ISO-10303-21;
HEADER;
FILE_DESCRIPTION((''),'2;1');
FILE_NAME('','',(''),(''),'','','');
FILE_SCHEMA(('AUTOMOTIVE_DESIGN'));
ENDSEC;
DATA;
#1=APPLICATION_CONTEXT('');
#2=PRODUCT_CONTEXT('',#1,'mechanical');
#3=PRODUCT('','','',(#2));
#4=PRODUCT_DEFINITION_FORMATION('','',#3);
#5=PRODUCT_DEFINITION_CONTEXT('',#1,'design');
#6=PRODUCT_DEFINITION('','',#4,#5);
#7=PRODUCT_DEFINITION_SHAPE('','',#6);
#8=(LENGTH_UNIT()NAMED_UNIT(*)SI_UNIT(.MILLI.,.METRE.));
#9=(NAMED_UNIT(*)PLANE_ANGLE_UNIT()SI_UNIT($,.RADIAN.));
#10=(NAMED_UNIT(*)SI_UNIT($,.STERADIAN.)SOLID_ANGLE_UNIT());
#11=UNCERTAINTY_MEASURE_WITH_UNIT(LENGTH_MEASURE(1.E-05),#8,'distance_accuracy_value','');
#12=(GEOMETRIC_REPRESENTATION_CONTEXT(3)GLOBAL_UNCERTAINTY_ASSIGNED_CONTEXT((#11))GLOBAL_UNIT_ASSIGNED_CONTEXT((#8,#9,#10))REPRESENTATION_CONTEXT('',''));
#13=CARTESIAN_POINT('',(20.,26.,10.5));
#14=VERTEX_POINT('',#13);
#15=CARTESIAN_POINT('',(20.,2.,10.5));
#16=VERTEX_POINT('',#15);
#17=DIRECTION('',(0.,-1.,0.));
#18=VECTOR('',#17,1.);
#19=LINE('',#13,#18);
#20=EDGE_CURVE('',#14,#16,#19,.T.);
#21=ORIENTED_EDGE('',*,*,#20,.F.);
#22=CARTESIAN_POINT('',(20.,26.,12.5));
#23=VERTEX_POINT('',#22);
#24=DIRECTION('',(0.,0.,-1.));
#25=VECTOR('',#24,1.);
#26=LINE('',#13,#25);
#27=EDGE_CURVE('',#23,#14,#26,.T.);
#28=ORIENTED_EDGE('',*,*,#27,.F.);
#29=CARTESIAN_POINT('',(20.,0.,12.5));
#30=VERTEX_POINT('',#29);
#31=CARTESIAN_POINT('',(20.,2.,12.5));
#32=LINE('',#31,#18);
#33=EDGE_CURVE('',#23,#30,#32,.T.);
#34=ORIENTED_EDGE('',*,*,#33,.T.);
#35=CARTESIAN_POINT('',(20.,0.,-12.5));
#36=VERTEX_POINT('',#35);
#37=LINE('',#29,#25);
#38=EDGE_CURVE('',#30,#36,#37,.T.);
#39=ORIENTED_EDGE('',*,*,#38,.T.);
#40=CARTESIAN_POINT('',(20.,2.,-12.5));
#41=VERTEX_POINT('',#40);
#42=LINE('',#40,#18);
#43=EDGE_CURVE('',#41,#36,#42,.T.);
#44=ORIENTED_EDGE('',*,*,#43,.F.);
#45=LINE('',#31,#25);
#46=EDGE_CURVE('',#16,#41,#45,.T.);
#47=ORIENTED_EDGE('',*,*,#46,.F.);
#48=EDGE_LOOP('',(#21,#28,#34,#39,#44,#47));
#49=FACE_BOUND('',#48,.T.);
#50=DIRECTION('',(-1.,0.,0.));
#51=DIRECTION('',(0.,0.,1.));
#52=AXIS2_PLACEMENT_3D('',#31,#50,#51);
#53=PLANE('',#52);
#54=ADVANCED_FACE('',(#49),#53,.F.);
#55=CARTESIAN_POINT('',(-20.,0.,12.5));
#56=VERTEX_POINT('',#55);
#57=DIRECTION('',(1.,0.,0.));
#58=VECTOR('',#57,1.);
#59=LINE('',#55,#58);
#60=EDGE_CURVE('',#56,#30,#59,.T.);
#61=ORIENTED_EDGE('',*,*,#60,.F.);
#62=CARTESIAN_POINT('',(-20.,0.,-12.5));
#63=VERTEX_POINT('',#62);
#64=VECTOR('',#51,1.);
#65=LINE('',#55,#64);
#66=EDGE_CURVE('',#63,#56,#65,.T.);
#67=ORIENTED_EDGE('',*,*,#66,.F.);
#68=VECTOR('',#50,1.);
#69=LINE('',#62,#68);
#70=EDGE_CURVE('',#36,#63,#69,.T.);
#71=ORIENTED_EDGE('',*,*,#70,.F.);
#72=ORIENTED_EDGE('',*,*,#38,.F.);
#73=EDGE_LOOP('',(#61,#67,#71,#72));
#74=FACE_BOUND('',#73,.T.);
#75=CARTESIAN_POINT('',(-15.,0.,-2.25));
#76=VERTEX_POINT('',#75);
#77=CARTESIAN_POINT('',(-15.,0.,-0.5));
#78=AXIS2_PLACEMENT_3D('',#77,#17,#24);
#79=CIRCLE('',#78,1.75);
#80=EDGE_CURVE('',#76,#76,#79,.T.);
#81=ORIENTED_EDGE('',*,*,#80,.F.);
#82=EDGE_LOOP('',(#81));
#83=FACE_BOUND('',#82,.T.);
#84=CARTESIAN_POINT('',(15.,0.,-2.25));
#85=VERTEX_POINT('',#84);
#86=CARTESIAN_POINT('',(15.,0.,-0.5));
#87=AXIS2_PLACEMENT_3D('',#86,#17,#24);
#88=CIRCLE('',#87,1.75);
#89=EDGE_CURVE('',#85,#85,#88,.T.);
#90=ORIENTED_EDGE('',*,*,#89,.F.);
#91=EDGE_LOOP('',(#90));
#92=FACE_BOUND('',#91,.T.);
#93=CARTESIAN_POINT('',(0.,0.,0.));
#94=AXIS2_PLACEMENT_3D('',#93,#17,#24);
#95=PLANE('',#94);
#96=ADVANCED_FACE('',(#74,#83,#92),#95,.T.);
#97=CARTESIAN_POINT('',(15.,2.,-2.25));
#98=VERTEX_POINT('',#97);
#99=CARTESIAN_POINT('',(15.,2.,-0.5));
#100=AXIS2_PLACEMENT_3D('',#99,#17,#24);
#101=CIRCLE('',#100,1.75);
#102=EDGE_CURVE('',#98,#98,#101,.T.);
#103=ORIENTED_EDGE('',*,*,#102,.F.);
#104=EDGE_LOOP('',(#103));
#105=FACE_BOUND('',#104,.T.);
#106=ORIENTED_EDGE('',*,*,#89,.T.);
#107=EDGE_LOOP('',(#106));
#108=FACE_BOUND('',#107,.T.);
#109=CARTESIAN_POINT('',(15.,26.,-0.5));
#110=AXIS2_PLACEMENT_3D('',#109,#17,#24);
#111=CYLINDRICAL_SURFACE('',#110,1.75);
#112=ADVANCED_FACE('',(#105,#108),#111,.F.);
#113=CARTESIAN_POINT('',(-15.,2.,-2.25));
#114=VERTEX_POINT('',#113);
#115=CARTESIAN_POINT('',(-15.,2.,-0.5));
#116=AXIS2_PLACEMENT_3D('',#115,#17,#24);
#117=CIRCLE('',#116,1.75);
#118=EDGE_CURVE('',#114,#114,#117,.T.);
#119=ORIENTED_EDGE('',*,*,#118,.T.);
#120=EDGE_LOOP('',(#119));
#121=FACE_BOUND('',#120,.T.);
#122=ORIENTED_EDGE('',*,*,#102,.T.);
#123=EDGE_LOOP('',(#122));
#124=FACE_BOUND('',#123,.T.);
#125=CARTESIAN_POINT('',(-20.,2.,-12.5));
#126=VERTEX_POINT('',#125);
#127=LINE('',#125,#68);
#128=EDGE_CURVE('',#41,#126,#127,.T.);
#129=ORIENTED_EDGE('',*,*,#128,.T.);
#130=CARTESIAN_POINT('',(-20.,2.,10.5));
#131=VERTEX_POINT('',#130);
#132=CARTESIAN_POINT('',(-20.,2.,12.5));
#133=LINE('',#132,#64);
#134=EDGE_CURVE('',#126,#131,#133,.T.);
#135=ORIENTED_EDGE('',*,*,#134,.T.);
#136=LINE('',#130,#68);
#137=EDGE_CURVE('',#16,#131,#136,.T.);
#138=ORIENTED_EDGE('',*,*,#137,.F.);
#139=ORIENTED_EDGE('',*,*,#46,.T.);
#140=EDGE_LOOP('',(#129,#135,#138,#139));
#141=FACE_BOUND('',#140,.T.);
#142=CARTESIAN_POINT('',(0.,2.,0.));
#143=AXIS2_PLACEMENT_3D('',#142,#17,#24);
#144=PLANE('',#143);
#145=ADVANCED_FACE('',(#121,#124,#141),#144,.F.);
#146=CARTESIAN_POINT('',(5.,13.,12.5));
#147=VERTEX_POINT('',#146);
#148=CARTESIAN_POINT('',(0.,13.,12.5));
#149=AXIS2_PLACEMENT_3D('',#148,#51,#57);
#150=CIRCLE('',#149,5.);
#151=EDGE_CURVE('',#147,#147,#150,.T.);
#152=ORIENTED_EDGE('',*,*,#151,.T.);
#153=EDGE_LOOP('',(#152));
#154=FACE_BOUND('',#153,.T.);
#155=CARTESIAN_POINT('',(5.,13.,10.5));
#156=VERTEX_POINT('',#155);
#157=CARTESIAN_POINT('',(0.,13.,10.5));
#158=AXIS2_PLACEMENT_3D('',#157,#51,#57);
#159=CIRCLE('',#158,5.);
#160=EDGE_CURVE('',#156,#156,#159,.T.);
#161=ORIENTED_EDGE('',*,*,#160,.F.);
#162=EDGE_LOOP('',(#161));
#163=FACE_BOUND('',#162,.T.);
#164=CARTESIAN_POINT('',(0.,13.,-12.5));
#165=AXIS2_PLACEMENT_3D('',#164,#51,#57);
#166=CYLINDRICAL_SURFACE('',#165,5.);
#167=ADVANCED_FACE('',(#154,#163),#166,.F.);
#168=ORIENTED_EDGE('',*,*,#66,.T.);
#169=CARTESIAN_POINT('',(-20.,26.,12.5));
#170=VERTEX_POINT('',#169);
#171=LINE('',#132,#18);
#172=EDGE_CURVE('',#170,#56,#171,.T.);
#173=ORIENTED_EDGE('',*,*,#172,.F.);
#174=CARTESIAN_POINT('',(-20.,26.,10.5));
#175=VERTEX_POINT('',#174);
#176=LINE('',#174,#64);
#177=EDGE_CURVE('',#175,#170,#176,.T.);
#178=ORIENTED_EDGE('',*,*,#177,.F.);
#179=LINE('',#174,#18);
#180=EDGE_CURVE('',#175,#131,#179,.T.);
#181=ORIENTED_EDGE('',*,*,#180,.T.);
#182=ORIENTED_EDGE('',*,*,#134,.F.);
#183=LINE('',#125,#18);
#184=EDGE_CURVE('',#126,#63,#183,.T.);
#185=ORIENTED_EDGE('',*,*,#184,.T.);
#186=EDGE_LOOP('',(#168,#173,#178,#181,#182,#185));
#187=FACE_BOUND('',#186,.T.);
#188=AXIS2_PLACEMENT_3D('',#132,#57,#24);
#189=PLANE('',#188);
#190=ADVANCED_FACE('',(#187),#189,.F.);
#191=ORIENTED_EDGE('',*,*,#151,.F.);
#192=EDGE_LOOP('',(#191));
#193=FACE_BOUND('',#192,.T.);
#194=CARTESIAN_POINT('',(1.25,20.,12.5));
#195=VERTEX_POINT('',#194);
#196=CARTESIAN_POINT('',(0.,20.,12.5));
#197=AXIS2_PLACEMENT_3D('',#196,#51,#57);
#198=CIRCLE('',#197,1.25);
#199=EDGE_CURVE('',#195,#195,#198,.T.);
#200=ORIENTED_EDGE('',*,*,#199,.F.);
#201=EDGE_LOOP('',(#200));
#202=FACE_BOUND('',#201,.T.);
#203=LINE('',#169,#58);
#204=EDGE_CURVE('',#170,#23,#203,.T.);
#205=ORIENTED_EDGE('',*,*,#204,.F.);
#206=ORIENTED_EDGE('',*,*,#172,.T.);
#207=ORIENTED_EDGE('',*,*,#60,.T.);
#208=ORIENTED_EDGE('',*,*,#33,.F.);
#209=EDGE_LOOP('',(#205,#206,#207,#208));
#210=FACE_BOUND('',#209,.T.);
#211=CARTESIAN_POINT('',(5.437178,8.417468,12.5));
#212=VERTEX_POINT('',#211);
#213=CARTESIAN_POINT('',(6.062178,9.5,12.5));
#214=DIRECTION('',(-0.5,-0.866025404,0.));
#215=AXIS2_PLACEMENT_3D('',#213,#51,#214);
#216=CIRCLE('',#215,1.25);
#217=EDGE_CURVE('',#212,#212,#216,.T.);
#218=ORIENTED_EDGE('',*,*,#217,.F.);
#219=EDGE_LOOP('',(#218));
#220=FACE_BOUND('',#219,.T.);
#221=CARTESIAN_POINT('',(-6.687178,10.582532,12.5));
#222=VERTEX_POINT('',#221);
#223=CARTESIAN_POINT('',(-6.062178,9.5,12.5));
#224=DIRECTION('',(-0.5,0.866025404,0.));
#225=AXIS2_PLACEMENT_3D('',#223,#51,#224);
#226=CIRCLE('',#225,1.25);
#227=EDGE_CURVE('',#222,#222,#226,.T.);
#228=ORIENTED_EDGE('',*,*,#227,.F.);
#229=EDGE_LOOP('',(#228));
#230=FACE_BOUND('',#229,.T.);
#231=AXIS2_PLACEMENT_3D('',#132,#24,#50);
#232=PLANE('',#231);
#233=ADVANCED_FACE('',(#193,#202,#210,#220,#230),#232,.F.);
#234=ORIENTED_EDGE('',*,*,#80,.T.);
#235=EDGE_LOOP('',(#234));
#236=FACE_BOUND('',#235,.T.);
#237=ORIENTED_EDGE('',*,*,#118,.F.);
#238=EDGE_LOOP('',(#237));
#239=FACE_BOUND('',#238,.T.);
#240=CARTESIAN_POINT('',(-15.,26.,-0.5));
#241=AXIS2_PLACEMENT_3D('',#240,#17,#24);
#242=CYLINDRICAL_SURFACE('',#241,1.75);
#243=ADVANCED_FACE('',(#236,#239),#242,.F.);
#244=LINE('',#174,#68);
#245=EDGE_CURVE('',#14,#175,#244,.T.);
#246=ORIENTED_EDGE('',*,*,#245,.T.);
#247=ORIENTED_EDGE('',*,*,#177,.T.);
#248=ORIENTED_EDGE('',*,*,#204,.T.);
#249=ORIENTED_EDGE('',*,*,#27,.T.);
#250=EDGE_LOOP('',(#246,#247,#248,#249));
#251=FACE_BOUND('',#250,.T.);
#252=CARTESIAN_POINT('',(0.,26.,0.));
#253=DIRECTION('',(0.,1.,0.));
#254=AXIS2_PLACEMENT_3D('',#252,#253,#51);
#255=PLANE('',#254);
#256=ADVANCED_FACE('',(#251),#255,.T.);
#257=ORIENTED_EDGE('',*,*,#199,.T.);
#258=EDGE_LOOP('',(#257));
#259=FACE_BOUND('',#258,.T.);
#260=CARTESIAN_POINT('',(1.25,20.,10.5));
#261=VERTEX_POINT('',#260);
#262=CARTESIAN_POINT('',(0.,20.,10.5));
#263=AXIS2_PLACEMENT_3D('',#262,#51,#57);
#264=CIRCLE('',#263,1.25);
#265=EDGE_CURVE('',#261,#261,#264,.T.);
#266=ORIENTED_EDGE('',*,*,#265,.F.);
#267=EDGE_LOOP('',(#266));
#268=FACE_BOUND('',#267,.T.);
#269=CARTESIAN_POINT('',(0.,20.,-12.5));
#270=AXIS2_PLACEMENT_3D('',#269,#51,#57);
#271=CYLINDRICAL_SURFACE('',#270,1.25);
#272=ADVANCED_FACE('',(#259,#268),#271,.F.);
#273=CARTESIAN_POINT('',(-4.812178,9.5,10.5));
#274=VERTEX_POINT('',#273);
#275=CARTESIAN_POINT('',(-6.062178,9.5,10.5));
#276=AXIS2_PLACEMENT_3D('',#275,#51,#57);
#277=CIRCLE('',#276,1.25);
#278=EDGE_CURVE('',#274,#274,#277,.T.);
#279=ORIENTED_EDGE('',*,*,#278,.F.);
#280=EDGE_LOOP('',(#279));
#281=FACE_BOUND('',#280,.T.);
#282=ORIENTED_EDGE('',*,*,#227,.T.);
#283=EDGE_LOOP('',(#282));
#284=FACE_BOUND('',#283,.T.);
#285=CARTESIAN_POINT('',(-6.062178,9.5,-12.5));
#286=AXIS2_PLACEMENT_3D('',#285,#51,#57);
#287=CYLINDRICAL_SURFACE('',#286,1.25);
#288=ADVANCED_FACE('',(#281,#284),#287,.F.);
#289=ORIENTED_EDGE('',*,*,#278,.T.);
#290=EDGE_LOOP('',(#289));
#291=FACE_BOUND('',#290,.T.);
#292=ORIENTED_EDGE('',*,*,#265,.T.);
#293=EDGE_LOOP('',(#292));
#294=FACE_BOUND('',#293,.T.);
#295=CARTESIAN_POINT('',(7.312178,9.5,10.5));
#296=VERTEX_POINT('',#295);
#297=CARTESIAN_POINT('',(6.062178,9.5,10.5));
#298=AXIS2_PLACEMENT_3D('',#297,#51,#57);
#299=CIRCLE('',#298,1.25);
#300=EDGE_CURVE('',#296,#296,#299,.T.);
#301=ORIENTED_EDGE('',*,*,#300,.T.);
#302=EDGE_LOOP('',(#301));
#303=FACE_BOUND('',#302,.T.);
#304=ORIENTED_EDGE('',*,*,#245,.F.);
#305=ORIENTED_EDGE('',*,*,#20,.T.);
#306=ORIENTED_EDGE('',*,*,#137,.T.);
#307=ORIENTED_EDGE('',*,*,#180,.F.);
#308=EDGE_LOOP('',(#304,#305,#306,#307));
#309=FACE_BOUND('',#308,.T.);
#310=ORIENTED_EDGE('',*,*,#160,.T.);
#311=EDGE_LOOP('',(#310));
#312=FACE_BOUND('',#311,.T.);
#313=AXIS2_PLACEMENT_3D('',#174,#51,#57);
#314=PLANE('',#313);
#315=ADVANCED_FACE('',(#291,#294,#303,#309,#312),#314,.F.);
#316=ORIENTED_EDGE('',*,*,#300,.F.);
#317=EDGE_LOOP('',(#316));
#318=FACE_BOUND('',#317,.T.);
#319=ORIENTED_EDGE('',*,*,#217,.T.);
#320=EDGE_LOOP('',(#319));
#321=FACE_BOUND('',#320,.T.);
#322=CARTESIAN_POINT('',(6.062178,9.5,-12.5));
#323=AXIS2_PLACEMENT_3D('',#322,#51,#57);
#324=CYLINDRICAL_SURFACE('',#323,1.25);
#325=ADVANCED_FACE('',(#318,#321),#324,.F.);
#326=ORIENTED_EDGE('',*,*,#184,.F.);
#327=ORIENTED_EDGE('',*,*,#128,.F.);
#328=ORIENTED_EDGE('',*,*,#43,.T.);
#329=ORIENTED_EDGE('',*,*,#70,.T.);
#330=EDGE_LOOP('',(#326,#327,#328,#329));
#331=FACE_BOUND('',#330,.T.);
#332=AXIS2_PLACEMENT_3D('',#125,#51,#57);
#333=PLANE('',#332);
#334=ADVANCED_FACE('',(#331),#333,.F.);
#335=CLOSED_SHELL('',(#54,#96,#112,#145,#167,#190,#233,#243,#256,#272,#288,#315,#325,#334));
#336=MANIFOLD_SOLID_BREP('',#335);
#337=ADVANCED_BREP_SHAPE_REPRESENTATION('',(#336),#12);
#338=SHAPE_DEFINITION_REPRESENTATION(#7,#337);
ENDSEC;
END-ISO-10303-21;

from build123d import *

# Parameters (mm, degrees)
SKETCH1_W           = 40
SKETCH1_H           = 25
BOSS_EXTRUDE1_DEPTH = 2
SKETCH2_W           = 40
SKETCH2_H           = 2
BOSS_EXTRUDE2_DEPTH = 24
SKETCH3_R           = 1.75
CUT_EXTRUDE1_DEPTH  = 36.103418637
SKETCH5_R           = 5
CUT_EXTRUDE2_DEPTH  = 42.243181255
SKETCH6_R           = 1.25
CUT_EXTRUDE3_DEPTH  = 42.243181255
CIRPATTERN1_COUNT   = 3


with BuildPart() as part:
    # Sketch1 → Boss-Extrude1 (new body)
    with BuildSketch(Plane(origin=(0, 0, 0), x_dir=(1, 0, 0), z_dir=(0, 1, 0))):
        Rectangle(SKETCH1_W, SKETCH1_H)
    extrude(amount=BOSS_EXTRUDE1_DEPTH)

    # Sketch2 → Boss-Extrude2 (add)
    with BuildSketch(Plane(origin=(0, 2, 0), x_dir=(1, 0, 0), z_dir=(0, 1, 0))):
        with Locations((0, -11.5)):
            Rectangle(SKETCH2_W, SKETCH2_H)
    extrude(amount=BOSS_EXTRUDE2_DEPTH)

    # Sketch3 → Cut-Extrude1 (cut, through all)
    with BuildSketch(Plane.XZ):
        with Locations(Location((-15, -0.5, 0), (0, 0, 270))):
            Circle(SKETCH3_R)
        with Locations(Location((15, -0.5, 0), (0, 0, 270))):
            Circle(SKETCH3_R)
    extrude(amount=-CUT_EXTRUDE1_DEPTH, mode=Mode.SUBTRACT)

    # Sketch5 → Cut-Extrude2 (cut, through all)
    with BuildSketch(Plane.XY.offset(12.5)):
        with Locations((0, 13)):
            Circle(SKETCH5_R)
    extrude(amount=-CUT_EXTRUDE2_DEPTH, mode=Mode.SUBTRACT)

    # Sketch6 → Cut-Extrude3 (cut, through all)
    with BuildSketch(Plane.XY.offset(12.5)):
        with Locations((0, 20)):
            Circle(SKETCH6_R)
    cut_extrude3 = extrude(amount=-CUT_EXTRUDE3_DEPTH, mode=Mode.SUBTRACT)

    # CirPattern1: Cut-Extrude3 ×3 about axis
    cirpattern1_axis = Axis((0, 13, 0), (0, 0, 1))
    for i in range(1, CIRPATTERN1_COUNT):
        add(cut_extrude3.rotate(cirpattern1_axis, i * 360 / CIRPATTERN1_COUNT), mode=Mode.SUBTRACT)


solid = part.part
